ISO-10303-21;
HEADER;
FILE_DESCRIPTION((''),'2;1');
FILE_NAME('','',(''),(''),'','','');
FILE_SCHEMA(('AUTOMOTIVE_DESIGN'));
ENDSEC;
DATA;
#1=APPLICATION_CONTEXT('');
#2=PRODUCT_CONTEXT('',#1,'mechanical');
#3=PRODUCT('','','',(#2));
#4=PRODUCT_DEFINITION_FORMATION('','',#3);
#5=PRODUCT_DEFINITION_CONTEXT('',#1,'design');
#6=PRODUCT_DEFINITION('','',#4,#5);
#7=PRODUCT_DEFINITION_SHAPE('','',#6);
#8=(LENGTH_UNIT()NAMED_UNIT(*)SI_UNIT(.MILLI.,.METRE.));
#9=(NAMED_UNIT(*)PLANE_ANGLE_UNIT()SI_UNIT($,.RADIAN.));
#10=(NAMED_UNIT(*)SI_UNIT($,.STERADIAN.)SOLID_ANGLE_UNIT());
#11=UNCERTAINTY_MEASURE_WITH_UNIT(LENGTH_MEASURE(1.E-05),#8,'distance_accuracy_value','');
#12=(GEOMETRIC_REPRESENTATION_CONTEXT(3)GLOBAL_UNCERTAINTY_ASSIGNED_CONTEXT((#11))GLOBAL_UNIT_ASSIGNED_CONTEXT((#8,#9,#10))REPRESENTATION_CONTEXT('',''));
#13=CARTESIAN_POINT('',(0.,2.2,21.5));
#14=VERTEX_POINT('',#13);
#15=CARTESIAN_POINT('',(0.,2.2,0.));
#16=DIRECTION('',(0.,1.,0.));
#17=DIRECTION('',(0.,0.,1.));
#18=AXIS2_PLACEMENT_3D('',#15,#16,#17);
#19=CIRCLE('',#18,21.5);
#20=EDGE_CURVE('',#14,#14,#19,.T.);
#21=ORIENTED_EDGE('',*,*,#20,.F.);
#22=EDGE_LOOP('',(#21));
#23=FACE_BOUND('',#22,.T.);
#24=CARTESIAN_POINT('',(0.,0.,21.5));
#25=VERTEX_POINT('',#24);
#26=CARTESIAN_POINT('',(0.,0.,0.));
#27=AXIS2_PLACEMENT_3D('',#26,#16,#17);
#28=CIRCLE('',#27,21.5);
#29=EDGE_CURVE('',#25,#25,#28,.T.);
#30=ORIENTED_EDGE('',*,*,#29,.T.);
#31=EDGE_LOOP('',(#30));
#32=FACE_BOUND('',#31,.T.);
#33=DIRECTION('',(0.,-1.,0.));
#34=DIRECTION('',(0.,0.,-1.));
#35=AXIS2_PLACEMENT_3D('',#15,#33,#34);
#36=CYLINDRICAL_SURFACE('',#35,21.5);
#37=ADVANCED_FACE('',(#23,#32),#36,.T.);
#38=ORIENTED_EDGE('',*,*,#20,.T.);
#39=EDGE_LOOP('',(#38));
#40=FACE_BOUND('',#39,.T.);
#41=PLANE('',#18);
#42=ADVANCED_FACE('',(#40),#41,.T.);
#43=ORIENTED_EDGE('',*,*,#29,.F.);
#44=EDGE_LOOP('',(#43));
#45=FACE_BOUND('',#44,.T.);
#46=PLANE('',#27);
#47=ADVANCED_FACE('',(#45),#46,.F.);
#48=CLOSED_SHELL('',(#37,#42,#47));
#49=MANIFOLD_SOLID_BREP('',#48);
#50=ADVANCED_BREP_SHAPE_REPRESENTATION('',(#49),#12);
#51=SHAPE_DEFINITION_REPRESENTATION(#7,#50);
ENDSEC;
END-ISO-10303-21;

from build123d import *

# Parameters (mm, degrees)
ESQUISSE1_R        = 21.5
BOSS_EXTRU_1_DEPTH = 2.2


with BuildPart() as part:
    # Esquisse1 → Boss.-Extru.1 (new body)
    with BuildSketch(Plane(origin=(0, 0, 0), x_dir=(1, 0, 0), z_dir=(0, 1, 0))):
        Circle(ESQUISSE1_R)
    extrude(amount=BOSS_EXTRU_1_DEPTH)


solid = part.part
